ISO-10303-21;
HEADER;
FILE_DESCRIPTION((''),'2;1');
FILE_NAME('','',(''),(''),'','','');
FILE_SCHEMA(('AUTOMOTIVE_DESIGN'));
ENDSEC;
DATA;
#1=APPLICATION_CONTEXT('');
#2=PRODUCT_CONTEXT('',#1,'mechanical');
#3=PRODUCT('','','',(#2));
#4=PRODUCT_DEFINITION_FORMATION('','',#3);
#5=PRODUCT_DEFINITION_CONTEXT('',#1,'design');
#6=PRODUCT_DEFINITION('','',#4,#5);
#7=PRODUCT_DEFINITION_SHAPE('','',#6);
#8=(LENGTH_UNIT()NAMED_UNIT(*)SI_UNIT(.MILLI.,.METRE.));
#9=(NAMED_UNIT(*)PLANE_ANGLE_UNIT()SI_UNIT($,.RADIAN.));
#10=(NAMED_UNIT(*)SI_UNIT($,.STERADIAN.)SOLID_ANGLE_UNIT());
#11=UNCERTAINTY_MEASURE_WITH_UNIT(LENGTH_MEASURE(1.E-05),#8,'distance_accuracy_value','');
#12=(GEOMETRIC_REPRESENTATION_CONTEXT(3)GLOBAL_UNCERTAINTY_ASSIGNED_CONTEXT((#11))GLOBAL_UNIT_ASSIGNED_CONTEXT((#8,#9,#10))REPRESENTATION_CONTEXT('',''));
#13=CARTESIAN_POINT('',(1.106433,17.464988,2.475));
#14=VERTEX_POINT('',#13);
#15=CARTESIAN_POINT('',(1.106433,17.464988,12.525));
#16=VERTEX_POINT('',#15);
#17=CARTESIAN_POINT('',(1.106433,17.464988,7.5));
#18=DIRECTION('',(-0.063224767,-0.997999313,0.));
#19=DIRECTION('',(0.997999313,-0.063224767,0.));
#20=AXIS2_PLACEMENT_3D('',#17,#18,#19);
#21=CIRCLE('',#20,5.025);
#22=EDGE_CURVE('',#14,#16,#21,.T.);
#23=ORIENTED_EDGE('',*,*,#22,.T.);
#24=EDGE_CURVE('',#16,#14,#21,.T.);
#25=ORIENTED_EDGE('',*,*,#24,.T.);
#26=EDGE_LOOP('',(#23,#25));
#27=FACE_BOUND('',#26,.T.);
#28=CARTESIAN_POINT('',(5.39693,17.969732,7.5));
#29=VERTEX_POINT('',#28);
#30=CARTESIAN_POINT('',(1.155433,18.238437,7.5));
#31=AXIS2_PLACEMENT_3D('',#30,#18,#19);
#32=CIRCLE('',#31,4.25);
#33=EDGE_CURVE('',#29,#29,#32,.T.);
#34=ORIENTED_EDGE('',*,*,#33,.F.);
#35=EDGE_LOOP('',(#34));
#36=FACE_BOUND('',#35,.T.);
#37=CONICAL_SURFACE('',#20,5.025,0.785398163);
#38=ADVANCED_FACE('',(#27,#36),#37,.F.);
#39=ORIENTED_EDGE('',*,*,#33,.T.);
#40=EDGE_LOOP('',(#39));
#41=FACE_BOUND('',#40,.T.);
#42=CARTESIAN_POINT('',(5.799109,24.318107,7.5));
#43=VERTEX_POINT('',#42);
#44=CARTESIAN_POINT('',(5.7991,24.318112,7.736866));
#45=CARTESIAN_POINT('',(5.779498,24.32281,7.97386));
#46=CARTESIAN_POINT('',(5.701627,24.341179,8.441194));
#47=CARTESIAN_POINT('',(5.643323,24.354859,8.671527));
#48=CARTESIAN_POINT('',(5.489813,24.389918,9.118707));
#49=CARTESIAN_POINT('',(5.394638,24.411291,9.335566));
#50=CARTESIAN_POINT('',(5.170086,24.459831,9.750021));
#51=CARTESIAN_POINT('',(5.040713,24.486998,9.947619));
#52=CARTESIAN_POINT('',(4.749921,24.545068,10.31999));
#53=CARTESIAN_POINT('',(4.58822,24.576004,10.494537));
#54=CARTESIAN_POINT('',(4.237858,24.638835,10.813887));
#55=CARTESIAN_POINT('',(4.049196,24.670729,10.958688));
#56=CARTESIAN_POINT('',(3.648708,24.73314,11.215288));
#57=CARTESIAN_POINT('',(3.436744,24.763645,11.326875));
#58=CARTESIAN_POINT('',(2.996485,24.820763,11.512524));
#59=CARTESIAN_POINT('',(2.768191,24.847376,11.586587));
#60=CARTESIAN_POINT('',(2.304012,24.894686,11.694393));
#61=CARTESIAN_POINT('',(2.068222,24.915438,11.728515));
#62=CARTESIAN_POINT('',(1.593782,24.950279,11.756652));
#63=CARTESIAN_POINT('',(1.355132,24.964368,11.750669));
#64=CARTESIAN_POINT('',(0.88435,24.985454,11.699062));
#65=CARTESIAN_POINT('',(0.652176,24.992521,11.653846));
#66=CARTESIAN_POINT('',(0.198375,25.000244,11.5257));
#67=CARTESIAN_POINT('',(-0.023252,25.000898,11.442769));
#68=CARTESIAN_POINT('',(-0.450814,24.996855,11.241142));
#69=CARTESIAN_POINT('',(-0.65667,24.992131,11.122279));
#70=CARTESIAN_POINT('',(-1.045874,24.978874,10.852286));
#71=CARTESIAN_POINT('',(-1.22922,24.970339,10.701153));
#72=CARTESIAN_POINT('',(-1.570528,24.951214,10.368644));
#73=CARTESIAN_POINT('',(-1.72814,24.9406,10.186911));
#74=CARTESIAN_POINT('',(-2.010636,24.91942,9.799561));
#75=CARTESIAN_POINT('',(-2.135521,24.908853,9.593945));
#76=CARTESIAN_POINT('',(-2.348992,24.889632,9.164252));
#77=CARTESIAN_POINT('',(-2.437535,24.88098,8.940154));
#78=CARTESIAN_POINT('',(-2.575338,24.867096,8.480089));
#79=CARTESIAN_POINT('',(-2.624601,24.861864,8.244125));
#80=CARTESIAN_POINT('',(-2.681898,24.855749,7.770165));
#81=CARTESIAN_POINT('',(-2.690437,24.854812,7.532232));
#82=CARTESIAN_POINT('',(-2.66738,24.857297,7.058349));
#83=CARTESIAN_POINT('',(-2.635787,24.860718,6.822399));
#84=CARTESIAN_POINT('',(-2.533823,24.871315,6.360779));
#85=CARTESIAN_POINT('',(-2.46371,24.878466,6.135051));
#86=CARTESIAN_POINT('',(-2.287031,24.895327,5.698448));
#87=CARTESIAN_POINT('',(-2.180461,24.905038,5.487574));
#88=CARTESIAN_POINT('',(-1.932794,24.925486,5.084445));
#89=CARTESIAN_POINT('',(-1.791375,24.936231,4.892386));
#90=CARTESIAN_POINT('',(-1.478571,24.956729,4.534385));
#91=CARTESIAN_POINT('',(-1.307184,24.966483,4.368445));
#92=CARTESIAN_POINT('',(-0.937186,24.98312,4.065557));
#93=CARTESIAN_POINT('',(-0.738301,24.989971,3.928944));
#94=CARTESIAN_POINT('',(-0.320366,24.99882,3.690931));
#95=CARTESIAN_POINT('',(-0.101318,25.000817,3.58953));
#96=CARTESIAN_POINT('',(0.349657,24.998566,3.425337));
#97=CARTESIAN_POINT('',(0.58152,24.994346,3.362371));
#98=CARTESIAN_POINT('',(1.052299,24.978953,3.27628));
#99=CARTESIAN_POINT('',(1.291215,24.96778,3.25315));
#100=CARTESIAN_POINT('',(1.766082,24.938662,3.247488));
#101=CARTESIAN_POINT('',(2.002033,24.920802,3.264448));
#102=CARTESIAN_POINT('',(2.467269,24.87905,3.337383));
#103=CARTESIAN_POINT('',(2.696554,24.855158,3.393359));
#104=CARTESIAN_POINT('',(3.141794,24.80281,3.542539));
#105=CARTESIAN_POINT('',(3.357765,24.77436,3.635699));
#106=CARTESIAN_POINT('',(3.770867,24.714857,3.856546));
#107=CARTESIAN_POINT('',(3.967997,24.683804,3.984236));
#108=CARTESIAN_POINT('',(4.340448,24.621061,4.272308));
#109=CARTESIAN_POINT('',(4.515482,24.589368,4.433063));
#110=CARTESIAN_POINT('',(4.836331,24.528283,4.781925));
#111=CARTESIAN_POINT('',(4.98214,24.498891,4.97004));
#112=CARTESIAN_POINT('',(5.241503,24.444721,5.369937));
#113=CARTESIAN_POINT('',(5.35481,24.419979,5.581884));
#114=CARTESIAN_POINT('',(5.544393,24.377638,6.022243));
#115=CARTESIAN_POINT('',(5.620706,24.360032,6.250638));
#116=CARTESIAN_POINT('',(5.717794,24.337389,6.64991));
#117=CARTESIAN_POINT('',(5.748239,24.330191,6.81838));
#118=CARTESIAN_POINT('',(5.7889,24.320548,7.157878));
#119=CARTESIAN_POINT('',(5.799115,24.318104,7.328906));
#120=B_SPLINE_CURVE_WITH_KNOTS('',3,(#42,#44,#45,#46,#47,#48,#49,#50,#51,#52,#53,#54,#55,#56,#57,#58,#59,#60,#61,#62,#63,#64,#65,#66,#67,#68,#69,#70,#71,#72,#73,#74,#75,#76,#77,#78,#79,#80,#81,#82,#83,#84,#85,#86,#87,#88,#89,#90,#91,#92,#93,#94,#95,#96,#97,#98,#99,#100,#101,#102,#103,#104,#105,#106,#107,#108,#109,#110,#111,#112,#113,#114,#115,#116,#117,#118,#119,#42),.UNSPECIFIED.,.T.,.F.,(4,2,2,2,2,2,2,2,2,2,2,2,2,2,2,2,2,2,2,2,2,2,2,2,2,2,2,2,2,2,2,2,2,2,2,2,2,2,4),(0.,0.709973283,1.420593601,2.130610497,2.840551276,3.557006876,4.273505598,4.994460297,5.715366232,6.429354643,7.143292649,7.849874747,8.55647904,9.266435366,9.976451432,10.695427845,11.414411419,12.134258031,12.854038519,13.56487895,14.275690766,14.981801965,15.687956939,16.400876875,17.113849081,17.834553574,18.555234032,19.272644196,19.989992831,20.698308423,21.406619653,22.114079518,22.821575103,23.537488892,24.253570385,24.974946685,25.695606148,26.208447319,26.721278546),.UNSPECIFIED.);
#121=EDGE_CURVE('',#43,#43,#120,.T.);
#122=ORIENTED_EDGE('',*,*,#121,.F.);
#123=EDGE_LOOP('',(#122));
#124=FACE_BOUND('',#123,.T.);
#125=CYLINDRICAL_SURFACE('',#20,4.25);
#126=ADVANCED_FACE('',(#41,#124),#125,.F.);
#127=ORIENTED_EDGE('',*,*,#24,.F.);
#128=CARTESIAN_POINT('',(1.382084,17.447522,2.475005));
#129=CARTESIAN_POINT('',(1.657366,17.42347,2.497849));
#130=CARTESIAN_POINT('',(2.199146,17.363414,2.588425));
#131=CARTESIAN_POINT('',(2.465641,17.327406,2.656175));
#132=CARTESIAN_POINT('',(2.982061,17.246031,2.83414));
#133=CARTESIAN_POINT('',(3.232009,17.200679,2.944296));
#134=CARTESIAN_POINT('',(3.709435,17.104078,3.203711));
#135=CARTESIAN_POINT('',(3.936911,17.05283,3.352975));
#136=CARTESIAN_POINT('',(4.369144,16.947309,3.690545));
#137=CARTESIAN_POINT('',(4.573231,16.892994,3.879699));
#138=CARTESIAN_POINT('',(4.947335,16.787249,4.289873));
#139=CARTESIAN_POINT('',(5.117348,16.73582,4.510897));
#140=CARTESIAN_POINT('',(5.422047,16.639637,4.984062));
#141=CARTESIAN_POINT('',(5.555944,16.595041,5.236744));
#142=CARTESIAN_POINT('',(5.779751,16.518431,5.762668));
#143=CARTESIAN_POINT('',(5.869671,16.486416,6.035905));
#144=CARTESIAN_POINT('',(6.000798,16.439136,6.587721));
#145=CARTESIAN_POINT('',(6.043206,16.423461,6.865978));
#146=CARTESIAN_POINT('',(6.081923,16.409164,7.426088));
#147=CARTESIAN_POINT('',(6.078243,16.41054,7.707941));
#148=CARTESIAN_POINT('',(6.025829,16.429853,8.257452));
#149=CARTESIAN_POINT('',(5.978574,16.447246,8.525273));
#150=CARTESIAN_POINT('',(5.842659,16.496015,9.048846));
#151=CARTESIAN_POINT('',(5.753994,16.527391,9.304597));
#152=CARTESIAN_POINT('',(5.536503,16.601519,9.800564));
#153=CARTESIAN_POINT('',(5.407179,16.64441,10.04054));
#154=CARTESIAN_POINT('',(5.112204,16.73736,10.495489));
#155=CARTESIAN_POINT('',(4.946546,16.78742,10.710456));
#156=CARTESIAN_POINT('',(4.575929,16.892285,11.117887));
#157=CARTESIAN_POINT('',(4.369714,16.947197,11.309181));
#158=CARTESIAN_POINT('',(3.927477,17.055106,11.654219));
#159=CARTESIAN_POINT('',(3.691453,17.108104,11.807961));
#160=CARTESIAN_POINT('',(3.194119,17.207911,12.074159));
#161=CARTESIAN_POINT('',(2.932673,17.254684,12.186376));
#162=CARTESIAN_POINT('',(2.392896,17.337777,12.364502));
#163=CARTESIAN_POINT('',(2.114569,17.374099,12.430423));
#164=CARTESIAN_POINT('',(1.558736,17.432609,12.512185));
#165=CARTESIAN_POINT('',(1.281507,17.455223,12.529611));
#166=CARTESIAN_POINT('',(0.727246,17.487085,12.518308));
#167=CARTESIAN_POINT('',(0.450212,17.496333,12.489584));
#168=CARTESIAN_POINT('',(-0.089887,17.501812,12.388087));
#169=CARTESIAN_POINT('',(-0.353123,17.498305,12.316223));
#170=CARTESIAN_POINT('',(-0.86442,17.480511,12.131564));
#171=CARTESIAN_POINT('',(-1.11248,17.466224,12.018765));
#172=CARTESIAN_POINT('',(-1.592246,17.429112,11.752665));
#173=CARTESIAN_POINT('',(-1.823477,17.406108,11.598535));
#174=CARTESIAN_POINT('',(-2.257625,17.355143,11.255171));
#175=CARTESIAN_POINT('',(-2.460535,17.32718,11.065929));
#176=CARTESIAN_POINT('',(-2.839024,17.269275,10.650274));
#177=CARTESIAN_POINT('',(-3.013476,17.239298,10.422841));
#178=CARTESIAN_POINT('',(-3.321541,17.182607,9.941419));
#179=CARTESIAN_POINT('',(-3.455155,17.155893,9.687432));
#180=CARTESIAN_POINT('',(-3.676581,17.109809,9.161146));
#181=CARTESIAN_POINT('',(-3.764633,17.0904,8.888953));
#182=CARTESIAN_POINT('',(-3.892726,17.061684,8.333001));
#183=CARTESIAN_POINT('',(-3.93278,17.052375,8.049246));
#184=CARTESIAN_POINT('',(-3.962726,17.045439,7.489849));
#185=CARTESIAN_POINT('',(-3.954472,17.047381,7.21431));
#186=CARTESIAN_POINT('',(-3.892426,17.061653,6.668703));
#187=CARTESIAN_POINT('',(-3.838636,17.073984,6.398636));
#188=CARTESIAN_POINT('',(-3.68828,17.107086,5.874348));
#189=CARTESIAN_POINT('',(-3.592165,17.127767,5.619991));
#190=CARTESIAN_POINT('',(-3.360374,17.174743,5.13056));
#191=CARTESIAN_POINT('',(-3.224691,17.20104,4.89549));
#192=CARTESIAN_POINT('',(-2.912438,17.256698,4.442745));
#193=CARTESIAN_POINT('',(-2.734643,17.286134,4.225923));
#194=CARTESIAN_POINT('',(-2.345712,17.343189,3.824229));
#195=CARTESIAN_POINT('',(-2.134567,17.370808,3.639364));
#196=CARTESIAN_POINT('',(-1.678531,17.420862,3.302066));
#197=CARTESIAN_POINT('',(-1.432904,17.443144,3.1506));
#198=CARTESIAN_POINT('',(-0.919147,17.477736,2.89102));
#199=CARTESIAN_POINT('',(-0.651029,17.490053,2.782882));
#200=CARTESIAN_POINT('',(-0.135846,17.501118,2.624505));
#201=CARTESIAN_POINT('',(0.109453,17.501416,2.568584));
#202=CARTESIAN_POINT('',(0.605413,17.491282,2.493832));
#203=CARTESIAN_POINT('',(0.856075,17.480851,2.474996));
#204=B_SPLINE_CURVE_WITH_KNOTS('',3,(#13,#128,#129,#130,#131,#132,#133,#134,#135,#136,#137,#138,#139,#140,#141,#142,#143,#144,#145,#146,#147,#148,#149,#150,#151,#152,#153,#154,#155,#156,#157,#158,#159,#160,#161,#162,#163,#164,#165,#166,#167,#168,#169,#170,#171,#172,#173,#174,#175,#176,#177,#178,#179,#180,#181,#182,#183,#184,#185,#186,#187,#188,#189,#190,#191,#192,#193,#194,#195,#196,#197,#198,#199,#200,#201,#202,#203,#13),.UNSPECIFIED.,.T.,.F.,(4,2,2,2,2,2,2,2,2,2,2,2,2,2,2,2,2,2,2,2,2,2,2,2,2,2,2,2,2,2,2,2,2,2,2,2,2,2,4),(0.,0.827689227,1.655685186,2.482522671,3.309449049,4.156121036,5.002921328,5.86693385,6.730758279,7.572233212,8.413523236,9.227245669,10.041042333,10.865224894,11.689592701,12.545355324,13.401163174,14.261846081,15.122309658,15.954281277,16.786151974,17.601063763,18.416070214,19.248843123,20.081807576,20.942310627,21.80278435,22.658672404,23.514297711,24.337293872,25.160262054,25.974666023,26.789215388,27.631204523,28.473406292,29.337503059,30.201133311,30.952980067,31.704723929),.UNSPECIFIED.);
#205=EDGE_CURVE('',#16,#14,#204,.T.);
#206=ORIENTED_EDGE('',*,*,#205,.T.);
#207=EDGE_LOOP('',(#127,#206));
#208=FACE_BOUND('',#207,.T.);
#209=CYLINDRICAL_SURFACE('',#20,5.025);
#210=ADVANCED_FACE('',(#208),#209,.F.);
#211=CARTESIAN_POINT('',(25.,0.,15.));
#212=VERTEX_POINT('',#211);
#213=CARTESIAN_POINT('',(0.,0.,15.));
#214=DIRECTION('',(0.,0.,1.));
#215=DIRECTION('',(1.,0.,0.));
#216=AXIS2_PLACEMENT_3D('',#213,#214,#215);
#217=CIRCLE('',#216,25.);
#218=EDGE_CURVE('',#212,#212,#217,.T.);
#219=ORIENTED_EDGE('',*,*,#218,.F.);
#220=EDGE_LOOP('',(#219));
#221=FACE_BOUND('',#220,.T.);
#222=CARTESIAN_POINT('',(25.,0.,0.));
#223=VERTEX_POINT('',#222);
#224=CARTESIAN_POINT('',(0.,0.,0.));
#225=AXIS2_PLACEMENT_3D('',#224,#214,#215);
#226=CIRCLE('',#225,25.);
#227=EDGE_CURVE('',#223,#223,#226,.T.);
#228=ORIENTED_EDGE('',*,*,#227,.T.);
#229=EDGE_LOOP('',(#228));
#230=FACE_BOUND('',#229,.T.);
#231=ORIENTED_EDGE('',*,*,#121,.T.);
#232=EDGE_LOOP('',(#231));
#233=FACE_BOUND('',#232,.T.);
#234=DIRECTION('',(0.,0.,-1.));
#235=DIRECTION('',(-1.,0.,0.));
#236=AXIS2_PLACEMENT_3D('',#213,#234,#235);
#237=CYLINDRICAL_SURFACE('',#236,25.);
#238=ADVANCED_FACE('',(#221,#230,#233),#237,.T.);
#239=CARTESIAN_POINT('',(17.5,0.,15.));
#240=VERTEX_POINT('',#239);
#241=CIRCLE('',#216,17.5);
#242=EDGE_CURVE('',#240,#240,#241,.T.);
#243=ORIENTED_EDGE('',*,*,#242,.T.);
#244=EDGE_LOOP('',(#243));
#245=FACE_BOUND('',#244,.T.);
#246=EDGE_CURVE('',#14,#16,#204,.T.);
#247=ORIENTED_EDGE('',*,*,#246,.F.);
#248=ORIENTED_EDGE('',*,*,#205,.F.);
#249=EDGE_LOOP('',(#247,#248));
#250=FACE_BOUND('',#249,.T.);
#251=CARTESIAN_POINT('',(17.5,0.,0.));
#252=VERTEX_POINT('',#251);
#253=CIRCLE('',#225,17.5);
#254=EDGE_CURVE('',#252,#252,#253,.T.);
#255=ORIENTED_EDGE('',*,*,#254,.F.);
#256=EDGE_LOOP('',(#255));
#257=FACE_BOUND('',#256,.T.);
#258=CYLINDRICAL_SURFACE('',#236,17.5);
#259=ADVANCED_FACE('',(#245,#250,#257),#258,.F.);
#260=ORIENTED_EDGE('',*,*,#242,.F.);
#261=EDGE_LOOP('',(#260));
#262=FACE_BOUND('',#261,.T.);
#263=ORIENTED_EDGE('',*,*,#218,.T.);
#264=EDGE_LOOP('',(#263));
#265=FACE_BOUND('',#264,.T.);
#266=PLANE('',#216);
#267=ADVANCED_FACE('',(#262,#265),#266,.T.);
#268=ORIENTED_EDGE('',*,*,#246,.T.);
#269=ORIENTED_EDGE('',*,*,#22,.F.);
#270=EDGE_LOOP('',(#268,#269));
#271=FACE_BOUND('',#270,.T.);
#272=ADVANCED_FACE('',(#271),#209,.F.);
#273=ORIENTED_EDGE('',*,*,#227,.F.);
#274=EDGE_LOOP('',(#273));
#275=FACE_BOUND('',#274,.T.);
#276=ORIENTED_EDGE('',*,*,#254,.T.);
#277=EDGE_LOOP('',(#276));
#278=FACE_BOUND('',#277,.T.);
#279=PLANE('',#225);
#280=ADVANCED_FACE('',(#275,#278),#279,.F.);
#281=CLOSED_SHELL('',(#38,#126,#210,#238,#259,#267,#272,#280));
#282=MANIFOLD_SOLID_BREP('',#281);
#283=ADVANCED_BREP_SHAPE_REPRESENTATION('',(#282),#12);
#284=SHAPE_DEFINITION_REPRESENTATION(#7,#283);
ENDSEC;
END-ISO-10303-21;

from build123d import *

# Parameters (mm, degrees)
SKETCH_1_R                   = 25
SKETCH_1_R_2                 = 17.5
EXTRUDE_1_DEPTH              = 15
HOLE_WIZARD_M102_D           = 8.5
HOLE_WIZARD_M102_DEPTH       = 24.946342369
HOLE_WIZARD_M102_CSINK_D     = 10.05
HOLE_WIZARD_M102_CSINK_ANGLE = 90
HOLE_WIZARD_M102_TIP         = 2.553657631


with BuildPart() as part:
    # Эскиз1 → Бобышка-Вытянуть1 (new body)
    with BuildSketch(Plane.XY):
        Circle(SKETCH_1_R)
        Circle(SKETCH_1_R_2, mode=Mode.SUBTRACT)
    extrude(amount=EXTRUDE_1_DEPTH)

    # Отверстие обработанное метчиком M102
    with Locations(Plane(origin=(1.106433423, 17.464987978, 7.5), x_dir=(-0.997999313042, 0.063224767047, 0), z_dir=(-0.063224767047, -0.997999313042, 0))):
        with Locations((0, 0)):
            CounterSinkHole(HOLE_WIZARD_M102_D / 2, HOLE_WIZARD_M102_CSINK_D / 2, depth=HOLE_WIZARD_M102_DEPTH, counter_sink_angle=HOLE_WIZARD_M102_CSINK_ANGLE)
            with Locations((0, 0, -(HOLE_WIZARD_M102_DEPTH + HOLE_WIZARD_M102_TIP / 2))):  # 118° drill point
                Cone(0, HOLE_WIZARD_M102_D / 2, HOLE_WIZARD_M102_TIP, mode=Mode.SUBTRACT)


solid = part.part
